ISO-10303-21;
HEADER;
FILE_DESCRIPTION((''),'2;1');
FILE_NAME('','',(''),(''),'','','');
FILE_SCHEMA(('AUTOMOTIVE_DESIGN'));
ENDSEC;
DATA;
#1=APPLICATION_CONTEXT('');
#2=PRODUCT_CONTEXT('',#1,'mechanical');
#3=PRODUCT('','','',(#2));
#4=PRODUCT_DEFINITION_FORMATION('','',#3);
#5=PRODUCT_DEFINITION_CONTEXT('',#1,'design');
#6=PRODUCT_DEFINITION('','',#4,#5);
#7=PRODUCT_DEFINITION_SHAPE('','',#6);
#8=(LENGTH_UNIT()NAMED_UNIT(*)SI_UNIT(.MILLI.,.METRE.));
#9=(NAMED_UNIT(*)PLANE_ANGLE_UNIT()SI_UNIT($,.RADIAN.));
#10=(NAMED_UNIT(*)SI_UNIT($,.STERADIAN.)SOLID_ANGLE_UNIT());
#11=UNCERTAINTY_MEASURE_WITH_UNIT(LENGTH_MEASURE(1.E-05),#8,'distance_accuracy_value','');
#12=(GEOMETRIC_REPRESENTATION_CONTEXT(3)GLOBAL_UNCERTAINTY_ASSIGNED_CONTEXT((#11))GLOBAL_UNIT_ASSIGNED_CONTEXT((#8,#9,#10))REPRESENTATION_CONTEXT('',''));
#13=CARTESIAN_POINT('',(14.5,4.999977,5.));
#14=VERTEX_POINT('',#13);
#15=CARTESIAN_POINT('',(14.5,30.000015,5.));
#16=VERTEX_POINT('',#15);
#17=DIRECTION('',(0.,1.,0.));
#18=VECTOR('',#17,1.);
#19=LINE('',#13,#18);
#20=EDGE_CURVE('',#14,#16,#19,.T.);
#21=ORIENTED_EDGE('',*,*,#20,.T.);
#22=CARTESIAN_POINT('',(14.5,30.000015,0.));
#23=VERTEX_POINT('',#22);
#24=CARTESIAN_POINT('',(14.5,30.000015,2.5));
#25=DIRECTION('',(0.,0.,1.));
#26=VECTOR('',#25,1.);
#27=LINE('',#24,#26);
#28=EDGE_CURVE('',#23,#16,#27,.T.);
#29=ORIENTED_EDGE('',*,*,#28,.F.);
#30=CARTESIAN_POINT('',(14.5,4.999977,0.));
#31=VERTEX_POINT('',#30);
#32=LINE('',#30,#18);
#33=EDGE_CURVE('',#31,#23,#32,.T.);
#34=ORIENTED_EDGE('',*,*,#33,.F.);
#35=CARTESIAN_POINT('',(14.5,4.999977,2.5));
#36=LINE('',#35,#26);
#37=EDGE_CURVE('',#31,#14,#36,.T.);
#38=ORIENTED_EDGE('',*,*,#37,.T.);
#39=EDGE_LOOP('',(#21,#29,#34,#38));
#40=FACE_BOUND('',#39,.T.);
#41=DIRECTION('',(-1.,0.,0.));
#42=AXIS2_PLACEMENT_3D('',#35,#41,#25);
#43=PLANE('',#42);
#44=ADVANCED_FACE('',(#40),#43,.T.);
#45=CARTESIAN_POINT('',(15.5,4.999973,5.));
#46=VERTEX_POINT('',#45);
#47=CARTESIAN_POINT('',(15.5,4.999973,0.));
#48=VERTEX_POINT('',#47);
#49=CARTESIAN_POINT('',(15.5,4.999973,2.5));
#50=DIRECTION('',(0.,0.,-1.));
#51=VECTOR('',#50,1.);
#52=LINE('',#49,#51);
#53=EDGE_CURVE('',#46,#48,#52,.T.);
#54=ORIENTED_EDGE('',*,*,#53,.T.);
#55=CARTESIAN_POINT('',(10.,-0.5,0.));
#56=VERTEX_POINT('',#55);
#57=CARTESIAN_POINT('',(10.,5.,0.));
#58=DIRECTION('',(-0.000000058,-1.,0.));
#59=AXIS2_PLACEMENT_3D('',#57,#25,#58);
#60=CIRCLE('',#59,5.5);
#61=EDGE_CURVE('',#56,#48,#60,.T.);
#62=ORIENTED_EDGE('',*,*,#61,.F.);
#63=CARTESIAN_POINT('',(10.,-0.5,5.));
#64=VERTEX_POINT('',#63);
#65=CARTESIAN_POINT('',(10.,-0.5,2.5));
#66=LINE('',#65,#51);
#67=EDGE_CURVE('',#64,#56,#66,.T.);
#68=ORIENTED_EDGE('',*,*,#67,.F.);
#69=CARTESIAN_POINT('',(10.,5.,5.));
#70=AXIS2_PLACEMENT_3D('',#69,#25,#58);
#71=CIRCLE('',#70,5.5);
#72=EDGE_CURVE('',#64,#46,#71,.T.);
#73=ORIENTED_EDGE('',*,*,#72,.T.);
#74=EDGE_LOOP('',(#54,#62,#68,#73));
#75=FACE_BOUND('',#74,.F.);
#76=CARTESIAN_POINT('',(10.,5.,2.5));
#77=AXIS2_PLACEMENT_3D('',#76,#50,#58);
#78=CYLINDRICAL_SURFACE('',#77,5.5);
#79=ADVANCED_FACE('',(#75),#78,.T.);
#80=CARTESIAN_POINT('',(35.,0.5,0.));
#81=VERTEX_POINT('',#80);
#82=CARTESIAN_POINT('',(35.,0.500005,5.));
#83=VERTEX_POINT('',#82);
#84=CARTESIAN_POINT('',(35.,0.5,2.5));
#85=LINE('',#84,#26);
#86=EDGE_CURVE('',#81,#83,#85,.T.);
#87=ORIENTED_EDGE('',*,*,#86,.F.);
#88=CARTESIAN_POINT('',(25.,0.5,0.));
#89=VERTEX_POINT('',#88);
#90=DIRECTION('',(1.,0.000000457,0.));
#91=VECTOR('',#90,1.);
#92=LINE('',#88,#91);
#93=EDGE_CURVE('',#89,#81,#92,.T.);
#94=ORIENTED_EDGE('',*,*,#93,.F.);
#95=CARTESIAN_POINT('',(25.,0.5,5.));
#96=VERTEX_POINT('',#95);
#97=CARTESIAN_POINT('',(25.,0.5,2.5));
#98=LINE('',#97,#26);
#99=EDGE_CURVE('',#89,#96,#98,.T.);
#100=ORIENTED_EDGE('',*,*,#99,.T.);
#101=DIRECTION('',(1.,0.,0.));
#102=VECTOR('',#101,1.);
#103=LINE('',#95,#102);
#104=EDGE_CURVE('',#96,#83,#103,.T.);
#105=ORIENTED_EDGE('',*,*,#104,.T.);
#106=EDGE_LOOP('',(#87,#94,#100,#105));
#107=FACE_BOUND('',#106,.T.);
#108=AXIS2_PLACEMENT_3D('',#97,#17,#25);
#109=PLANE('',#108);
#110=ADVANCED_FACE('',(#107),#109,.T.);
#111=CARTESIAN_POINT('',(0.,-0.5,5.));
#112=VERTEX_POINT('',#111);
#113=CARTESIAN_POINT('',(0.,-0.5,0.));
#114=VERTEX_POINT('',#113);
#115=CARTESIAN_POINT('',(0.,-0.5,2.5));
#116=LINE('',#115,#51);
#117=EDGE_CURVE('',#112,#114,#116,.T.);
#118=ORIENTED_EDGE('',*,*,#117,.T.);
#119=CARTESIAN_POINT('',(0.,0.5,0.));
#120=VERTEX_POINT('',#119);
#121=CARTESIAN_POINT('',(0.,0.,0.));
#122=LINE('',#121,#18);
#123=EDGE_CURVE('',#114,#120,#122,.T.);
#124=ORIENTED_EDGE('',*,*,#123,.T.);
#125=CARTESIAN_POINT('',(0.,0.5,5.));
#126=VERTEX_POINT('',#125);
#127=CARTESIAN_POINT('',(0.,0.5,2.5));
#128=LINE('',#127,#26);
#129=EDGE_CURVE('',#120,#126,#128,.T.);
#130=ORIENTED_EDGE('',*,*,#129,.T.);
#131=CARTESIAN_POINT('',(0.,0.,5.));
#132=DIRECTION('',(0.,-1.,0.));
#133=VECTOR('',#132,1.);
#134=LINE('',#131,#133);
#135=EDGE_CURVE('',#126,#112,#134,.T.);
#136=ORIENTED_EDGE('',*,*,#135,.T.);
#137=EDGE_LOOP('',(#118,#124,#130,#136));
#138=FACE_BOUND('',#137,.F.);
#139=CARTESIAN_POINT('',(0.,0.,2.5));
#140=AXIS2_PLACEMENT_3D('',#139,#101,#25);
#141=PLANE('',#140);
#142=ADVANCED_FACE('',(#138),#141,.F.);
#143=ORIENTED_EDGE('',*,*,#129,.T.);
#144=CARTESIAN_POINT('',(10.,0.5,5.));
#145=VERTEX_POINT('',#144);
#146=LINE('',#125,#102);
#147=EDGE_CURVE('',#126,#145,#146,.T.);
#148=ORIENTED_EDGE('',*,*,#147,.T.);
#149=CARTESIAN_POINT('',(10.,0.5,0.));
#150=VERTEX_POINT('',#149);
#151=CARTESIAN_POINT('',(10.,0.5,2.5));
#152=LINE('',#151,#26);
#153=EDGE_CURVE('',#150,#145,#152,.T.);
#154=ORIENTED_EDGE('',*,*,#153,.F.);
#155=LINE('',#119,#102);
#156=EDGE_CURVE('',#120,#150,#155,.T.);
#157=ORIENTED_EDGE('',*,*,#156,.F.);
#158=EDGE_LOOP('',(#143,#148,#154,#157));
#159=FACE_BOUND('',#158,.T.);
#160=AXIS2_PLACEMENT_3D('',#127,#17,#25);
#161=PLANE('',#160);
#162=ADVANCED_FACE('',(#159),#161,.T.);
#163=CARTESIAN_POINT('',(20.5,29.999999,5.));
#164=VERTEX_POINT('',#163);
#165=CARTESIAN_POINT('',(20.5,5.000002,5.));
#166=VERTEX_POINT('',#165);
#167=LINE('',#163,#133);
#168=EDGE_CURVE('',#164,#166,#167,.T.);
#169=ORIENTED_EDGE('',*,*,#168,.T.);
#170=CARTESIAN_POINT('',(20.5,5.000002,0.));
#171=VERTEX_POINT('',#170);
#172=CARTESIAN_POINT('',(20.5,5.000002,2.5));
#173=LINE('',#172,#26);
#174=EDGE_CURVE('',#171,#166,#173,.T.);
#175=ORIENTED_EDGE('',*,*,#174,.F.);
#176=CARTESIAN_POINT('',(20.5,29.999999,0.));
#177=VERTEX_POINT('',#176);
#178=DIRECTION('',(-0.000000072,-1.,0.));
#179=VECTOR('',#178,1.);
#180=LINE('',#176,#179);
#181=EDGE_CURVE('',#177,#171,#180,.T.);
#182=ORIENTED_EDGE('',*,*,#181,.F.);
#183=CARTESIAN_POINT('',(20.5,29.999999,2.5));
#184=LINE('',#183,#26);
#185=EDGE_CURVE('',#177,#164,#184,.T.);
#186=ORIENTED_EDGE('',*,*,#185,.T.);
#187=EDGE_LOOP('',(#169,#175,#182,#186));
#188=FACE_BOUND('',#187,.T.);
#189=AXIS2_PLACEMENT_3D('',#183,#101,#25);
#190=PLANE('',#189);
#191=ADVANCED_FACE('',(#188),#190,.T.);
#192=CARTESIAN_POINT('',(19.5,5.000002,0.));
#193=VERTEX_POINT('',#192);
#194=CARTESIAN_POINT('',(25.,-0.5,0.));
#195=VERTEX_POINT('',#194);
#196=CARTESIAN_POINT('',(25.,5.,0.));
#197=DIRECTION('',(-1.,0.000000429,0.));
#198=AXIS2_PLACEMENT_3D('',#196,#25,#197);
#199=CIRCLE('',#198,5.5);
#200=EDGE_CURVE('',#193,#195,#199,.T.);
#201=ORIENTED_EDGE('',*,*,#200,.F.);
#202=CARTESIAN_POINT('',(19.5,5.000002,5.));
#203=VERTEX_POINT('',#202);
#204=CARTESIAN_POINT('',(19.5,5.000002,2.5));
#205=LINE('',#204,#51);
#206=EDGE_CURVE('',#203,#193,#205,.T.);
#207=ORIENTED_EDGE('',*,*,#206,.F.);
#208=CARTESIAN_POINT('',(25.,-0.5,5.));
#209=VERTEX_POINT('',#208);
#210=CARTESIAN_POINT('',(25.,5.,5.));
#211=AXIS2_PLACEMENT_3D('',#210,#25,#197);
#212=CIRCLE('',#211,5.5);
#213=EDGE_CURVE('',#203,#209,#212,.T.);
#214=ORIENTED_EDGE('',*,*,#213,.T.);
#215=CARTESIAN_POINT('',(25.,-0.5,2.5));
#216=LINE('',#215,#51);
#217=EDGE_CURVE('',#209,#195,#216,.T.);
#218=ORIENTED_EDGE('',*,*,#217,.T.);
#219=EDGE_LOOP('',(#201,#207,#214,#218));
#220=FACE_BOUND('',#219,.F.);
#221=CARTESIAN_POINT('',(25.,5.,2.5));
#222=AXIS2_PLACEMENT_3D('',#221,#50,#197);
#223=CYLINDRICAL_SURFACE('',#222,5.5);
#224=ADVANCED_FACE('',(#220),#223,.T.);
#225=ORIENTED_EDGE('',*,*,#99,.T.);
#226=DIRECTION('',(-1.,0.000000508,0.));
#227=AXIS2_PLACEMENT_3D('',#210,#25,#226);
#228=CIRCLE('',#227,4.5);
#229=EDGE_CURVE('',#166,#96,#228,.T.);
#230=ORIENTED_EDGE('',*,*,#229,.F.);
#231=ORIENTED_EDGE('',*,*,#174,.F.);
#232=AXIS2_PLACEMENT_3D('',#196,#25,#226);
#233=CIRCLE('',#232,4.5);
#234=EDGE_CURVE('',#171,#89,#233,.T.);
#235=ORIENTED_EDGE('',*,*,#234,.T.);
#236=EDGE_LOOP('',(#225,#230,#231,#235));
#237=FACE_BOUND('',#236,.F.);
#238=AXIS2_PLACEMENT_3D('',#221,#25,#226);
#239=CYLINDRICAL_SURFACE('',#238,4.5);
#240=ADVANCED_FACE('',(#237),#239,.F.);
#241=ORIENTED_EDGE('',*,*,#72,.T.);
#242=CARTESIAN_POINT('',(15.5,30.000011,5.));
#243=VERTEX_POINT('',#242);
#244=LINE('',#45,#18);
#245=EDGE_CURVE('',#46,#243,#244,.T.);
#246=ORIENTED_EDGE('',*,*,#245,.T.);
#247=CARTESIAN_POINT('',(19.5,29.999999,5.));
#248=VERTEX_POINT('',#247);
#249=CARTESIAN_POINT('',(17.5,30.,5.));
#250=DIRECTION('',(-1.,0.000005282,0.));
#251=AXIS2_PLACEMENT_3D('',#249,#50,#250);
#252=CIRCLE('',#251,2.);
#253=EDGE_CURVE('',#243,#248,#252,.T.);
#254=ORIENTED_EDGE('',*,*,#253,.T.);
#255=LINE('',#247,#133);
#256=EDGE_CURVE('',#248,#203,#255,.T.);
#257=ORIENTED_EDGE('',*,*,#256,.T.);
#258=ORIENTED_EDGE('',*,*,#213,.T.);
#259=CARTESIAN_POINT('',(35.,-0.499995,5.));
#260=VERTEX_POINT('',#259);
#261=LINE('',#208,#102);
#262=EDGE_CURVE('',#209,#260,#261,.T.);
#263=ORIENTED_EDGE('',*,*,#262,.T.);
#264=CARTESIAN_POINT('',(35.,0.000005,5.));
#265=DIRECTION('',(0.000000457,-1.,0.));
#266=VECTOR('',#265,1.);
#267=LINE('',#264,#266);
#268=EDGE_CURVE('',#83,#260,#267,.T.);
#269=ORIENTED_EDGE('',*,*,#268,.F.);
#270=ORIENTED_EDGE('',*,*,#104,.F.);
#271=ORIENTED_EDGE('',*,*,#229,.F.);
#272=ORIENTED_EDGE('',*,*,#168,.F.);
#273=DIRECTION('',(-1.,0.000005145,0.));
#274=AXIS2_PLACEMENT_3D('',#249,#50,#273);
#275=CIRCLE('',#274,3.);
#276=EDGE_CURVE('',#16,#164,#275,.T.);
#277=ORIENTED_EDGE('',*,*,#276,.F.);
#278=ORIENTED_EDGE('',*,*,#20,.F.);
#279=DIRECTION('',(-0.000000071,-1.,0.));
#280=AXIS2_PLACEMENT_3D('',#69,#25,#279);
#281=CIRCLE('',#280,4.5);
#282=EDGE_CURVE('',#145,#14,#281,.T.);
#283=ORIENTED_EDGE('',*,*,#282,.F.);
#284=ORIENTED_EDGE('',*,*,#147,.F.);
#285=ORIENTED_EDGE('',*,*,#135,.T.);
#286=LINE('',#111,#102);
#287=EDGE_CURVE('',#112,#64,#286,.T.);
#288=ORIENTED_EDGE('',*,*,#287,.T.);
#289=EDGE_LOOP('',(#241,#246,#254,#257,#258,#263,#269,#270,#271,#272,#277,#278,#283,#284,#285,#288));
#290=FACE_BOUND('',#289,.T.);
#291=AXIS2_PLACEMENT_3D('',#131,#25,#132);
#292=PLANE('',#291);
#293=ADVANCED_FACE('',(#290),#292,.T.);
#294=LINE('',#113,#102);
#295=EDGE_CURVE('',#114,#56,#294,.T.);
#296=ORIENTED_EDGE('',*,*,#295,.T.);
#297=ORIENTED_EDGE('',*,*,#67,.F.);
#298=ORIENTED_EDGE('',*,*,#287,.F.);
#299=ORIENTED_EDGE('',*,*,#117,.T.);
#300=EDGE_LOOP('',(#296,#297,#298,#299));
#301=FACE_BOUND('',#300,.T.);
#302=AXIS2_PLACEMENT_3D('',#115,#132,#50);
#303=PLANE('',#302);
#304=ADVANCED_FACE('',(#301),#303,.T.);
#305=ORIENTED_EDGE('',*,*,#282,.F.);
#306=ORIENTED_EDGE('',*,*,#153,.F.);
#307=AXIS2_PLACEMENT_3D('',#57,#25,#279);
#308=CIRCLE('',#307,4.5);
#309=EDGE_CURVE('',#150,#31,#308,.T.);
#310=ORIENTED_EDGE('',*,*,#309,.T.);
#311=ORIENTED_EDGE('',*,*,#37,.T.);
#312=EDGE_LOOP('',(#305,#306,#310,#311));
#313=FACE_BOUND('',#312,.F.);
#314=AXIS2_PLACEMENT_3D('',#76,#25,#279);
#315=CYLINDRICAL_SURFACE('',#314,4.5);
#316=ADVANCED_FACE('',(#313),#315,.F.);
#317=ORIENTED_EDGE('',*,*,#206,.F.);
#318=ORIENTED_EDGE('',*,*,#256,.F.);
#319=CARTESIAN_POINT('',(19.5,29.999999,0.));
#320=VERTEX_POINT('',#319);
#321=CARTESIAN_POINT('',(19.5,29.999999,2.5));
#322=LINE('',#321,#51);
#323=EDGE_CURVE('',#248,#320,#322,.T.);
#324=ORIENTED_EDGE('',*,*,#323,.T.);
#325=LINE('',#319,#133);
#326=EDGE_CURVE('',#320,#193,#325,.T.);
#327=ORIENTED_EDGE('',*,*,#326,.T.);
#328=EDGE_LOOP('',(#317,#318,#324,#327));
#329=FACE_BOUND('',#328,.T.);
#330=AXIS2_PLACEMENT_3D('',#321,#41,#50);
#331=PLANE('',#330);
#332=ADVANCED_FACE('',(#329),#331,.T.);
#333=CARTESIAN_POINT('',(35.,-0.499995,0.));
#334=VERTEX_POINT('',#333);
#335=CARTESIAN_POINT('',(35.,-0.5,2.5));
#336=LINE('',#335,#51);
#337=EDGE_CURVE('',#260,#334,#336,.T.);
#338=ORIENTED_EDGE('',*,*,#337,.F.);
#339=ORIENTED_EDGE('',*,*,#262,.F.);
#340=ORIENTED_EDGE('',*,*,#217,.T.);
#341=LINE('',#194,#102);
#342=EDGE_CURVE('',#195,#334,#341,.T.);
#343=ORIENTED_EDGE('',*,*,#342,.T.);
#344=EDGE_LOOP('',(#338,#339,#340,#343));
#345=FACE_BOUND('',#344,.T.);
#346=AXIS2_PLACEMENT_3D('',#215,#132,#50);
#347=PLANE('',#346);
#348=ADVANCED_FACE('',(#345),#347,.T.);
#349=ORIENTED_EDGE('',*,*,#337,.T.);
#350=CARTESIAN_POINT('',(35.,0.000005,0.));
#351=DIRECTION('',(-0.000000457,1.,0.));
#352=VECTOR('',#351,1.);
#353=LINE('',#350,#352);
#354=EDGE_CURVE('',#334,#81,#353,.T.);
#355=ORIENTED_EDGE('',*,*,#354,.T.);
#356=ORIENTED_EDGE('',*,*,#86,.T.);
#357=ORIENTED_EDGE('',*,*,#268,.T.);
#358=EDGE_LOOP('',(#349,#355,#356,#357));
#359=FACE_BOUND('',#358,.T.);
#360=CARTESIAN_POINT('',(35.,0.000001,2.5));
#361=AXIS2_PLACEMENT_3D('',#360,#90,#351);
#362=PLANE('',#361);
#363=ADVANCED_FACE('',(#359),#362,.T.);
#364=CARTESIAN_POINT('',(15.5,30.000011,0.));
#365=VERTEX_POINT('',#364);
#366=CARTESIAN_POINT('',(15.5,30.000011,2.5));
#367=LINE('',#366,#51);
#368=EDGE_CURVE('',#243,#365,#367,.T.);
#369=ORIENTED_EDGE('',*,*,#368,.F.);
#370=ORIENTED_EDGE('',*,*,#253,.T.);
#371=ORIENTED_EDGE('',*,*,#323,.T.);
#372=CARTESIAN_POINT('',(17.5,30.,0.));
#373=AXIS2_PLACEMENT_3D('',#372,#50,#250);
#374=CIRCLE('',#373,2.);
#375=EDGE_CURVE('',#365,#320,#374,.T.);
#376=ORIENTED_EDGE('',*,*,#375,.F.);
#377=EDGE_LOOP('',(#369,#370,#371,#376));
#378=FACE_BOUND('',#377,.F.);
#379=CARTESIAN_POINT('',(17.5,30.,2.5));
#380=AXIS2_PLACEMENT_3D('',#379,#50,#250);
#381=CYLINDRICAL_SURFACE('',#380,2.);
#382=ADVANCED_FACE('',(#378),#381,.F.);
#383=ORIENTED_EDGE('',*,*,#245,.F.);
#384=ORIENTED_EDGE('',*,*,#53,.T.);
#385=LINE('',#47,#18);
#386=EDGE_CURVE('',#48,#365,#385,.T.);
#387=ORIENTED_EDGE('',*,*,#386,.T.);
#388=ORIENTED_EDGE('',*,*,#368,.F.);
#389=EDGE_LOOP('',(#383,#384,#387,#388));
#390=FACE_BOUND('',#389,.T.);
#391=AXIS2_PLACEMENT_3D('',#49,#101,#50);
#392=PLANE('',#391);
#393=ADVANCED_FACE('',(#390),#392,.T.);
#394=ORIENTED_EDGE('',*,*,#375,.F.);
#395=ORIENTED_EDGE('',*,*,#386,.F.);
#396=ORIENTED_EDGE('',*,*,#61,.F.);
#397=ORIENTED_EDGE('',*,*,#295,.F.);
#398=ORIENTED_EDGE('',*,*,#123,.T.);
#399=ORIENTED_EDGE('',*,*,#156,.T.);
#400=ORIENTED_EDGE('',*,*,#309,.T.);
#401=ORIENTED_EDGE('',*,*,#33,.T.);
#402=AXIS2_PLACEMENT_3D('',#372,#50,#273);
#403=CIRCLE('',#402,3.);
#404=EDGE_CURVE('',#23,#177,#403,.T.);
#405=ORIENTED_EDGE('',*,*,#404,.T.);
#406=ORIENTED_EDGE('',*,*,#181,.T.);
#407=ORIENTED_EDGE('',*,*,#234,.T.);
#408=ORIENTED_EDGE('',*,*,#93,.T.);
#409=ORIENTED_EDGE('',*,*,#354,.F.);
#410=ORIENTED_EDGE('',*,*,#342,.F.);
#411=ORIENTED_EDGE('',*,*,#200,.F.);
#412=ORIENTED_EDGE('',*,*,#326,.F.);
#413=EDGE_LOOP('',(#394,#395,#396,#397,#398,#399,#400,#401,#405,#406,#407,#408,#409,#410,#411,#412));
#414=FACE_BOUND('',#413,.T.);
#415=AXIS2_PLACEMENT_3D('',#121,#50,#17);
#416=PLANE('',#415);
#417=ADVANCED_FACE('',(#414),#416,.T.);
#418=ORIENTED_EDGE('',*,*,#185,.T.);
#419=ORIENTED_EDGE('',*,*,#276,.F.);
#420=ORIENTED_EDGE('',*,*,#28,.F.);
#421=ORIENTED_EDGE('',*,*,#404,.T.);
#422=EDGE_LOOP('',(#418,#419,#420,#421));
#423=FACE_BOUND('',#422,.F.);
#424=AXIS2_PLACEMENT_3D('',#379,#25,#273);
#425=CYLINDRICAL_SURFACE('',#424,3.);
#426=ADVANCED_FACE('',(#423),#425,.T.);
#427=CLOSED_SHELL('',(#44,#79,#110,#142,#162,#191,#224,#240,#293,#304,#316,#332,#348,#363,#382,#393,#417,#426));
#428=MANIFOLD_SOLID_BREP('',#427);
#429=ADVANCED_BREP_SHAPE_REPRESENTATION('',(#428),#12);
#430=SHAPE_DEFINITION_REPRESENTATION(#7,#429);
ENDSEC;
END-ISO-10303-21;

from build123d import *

# Parameters (mm, degrees)
SKETCH_W = 1
SKETCH_H = 5


with BuildPart() as part:
    # AdditivePipe: sweep along a path in Sketch001
    with BuildLine(Plane.XY) as additivepipe_path:
        Line((0, 0), (10, 0))
        ThreePointArc((10, 0), (13.535525, 1.464457), (15, 4.999975))
        Line((15, 4.999975), (15, 30.000013))
        ThreePointArc((15, 30.000013), (17.500007, 32.5), (20, 29.999999))
        Line((20, 29.999999), (20, 5.000002))
        ThreePointArc((20, 5.000002), (21.464465, 1.464467), (25, 0))
        Line((25, 0), (35, 0))
    # Sketch → AdditivePipe (sweep)
    with BuildSketch(Plane.YZ):
        with Locations((0, 2.5)):
            Rectangle(SKETCH_W, SKETCH_H)
    sweep(path=additivepipe_path.line)


solid = part.part
